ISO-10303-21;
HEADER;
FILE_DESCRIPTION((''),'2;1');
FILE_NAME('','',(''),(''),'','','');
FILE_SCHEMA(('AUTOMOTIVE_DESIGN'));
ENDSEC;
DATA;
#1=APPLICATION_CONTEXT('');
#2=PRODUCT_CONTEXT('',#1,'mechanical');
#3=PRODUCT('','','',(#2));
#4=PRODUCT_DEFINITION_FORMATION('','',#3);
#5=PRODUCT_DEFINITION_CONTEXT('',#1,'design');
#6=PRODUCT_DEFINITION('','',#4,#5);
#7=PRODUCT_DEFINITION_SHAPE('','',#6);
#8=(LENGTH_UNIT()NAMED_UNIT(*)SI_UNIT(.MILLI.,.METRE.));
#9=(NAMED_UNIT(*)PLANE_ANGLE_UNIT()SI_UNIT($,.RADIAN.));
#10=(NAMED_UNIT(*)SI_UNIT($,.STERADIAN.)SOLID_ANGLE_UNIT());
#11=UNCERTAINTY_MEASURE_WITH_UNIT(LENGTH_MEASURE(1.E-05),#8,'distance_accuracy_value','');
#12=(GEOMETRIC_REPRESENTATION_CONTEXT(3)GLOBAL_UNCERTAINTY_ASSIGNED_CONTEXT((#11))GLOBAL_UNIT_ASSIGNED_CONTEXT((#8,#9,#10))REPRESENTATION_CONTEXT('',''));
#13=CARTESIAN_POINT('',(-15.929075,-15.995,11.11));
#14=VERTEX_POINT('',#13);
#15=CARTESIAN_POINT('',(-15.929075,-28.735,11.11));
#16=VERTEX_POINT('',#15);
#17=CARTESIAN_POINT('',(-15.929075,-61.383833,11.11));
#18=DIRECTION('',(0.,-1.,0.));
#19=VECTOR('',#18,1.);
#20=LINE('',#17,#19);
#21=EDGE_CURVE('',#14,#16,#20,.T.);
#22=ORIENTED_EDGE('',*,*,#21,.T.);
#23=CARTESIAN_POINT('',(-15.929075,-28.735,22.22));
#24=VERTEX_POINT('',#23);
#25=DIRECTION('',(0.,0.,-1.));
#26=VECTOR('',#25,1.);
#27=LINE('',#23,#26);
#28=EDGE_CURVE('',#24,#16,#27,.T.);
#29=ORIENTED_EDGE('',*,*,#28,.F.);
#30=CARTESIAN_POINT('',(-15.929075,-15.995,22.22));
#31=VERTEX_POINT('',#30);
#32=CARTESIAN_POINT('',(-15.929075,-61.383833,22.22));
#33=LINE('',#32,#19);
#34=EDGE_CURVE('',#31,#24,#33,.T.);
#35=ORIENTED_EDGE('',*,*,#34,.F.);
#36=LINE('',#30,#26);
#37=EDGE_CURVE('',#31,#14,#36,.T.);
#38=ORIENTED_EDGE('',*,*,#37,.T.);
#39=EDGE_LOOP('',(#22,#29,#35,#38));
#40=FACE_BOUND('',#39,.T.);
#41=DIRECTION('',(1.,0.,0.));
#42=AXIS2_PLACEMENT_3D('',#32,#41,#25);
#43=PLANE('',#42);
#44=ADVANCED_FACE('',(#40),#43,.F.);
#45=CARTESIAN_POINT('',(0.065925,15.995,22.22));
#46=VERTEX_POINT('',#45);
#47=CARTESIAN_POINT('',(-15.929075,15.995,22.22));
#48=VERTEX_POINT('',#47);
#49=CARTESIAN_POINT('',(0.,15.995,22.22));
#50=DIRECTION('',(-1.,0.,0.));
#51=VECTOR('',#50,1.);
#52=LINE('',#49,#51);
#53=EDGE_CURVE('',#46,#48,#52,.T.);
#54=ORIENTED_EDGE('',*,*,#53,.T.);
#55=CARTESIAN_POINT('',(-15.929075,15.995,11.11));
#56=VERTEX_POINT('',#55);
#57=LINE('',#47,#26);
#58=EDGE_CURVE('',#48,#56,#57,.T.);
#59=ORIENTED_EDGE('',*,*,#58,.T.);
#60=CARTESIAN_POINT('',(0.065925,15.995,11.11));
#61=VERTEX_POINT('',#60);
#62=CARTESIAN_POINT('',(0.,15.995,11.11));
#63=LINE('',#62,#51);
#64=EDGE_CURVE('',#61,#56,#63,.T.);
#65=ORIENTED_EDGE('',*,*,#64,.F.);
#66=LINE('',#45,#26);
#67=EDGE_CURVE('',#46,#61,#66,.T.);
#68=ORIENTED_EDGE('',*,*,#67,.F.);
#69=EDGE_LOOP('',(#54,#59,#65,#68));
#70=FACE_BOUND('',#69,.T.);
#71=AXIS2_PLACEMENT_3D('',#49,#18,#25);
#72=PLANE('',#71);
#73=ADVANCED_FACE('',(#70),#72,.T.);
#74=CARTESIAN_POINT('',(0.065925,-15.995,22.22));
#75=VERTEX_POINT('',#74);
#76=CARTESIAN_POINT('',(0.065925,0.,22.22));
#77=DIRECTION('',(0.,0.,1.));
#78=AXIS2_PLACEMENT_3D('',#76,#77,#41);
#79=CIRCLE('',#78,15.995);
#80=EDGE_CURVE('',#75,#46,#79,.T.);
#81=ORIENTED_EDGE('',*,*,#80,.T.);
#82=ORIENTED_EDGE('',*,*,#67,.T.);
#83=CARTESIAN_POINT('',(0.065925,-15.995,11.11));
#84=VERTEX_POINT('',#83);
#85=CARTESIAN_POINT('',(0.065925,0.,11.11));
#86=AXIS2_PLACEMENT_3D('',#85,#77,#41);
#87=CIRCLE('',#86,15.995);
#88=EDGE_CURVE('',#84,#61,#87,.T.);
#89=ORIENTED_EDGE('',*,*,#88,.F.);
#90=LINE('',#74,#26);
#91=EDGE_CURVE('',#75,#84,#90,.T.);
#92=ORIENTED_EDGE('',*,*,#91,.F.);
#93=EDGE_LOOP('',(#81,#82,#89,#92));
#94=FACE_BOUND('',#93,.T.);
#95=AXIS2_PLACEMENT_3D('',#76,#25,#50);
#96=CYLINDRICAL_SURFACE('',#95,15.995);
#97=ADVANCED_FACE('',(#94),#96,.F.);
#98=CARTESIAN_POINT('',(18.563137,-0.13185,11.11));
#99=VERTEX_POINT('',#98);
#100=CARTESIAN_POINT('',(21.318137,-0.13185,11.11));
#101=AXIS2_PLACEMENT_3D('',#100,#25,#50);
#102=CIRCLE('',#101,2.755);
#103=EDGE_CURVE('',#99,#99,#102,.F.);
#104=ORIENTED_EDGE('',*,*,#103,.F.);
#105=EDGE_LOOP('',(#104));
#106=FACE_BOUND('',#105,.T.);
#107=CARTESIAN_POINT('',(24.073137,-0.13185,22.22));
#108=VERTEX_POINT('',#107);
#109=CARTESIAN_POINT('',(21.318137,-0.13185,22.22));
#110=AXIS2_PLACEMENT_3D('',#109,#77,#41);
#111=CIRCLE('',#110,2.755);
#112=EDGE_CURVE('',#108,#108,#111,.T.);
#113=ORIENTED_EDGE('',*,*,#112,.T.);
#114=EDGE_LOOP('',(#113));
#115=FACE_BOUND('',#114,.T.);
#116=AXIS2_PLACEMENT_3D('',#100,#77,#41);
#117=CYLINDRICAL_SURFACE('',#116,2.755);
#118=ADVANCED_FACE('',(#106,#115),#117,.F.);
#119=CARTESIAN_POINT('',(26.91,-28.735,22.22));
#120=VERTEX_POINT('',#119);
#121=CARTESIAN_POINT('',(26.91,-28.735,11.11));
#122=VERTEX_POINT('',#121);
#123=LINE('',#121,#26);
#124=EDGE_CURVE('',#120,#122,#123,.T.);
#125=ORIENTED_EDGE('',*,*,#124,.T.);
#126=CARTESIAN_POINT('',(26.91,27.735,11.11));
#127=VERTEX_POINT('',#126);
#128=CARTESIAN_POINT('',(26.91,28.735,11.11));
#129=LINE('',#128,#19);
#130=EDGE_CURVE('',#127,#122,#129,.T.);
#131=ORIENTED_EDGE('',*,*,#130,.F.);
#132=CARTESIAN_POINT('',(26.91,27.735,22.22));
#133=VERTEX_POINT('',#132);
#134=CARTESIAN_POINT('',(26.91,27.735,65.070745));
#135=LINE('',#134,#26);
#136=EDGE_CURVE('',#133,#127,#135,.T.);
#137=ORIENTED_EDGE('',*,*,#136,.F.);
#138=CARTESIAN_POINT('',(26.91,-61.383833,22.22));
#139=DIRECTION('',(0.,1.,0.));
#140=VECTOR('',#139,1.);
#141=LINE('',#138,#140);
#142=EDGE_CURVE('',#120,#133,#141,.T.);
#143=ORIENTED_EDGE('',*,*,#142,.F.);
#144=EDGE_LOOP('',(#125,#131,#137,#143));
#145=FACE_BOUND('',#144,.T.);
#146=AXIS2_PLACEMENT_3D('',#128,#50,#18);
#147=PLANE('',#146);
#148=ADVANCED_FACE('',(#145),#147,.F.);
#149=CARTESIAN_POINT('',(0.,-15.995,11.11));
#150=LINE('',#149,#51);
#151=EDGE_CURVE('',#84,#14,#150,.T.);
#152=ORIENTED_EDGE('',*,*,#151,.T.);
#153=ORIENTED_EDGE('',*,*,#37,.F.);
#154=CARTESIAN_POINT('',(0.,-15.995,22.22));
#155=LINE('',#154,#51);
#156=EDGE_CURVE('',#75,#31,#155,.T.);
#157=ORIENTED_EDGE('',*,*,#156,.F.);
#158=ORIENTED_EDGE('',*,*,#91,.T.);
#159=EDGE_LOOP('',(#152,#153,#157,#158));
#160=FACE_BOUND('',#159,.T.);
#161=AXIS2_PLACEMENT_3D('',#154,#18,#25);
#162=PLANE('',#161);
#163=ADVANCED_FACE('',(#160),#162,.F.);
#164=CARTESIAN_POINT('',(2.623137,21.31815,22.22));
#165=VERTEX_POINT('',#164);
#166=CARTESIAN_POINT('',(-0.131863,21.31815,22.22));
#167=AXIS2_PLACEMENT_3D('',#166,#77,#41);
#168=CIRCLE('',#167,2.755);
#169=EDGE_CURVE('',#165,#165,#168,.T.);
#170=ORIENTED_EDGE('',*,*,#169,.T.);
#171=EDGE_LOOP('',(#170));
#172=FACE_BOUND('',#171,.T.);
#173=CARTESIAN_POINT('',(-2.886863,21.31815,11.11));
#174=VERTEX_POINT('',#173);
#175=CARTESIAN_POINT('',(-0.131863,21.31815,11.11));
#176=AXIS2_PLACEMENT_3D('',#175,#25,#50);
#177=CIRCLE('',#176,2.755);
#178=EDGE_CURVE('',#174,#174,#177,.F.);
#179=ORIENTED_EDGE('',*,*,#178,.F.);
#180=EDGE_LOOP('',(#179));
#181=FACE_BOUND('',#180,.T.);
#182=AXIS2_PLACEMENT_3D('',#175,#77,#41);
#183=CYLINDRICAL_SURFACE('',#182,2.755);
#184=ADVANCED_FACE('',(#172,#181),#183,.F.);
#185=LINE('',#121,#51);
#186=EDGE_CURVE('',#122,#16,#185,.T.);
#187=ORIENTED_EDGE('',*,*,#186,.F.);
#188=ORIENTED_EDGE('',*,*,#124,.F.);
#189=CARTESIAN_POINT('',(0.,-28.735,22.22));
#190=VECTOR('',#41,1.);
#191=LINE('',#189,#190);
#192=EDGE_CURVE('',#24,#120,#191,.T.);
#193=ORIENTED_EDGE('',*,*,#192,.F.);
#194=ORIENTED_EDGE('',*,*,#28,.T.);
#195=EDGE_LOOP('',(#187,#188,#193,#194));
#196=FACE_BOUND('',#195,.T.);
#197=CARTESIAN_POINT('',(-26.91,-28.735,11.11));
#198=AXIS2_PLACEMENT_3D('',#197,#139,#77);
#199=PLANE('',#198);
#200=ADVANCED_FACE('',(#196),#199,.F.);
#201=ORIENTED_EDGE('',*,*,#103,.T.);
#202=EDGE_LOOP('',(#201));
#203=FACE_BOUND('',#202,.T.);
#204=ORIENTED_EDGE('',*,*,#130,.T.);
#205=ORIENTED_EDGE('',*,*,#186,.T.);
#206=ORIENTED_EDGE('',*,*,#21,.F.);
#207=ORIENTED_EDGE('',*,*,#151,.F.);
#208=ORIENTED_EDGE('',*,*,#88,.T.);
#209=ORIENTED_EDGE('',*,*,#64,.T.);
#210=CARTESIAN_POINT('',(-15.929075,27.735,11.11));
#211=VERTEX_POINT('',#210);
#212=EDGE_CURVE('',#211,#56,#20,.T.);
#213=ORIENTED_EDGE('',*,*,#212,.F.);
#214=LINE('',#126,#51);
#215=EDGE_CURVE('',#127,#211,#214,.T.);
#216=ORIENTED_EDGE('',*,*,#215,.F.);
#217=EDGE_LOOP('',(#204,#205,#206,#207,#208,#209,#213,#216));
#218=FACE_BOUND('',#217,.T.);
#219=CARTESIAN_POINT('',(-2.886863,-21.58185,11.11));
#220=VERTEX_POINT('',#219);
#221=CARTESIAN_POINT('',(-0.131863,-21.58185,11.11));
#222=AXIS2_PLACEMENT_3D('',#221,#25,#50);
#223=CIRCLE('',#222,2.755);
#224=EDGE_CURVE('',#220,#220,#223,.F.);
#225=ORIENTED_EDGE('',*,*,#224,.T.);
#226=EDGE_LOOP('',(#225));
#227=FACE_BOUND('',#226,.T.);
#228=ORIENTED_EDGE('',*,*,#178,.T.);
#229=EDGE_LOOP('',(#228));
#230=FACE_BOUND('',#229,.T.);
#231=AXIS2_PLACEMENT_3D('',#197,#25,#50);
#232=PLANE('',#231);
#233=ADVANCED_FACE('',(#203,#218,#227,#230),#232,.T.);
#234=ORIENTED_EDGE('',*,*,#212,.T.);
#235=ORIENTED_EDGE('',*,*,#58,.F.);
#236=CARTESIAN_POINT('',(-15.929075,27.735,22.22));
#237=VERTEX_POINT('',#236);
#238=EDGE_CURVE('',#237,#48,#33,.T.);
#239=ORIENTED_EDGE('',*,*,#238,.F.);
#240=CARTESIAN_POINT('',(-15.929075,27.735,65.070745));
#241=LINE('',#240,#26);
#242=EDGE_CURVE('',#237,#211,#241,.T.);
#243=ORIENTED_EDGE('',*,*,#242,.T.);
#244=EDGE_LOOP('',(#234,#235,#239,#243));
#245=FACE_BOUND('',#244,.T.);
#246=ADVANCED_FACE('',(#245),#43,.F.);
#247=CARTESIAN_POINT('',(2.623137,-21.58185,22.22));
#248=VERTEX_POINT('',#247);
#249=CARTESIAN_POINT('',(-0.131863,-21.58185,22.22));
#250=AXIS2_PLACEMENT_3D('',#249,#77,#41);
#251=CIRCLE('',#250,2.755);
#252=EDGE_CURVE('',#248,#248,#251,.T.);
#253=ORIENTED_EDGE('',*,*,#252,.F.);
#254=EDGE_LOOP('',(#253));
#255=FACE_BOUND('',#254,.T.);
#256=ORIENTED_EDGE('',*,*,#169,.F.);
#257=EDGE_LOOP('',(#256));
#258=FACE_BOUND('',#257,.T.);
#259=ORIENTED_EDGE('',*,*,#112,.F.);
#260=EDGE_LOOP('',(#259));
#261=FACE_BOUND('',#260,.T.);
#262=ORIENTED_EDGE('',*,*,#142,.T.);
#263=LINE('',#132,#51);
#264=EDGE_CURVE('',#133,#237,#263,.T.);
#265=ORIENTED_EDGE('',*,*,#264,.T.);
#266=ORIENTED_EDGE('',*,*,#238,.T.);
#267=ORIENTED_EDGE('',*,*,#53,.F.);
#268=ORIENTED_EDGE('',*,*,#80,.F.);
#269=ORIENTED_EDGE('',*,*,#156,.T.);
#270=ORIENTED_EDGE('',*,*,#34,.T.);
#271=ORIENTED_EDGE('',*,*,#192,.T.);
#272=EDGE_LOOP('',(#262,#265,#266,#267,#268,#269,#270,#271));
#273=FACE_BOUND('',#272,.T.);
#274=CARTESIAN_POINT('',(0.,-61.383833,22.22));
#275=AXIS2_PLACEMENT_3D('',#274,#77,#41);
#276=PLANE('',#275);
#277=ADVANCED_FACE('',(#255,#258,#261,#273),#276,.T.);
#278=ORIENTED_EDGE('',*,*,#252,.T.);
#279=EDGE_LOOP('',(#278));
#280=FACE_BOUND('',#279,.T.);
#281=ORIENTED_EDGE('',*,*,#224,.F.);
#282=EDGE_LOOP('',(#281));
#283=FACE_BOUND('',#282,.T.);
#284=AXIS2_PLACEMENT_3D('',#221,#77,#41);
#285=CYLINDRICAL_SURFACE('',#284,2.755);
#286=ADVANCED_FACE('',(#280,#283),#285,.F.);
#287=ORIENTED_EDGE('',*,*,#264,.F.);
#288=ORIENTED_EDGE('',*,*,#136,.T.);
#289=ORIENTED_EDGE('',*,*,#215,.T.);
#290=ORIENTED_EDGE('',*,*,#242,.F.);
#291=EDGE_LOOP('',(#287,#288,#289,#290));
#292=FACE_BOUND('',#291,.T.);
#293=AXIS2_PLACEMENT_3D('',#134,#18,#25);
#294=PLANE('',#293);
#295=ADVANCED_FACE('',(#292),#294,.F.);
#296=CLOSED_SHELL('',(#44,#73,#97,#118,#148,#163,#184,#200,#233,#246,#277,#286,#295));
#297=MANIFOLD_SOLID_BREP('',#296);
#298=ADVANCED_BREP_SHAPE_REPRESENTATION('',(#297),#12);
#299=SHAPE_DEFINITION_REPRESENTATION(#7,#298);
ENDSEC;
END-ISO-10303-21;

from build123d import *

# Parameters (mm, degrees)
ESBO_O1_W                = 53.82
ESBO_O1_H                = 57.47
RESSALTO_EXTRUS_O1_DEPTH = 11.11
RESSALTO_EXTRUS_O2_DEPTH = 11.11
ESBO_O4_R                = 2.755
CORTE_EXTRUS_O2_DEPTH    = 11.11
ESBO_O3_W                = 53.82
ESBO_O3_H                = 57.47
CORTE_EXTRUS_O3_DEPTH    = 11.11
ESBO_O5_W                = 42.839074837
ESBO_O5_H                = 1
CORTE_EXTRUS_O4_DEPTH    = 11.11


with BuildPart() as part:
    # Esboço1 → Ressalto-extrusão1 (new body)
    with BuildSketch(Plane.XY):
        Rectangle(ESBO_O1_W, ESBO_O1_H)
    extrude(amount=RESSALTO_EXTRUS_O1_DEPTH)

    # Esboço2 → Ressalto-extrusão2 (add)
    with BuildSketch(Plane.XY.offset(11.11)):
        with BuildLine():
            Line((0.065925163, -15.995), (-15.929074837, -15.995))
            Line((-15.929074837, -15.995), (-15.929074837, -28.735))
            Line((-15.929074837, -28.735), (0, -28.735))
            Line((0, -28.735), (26.91, -28.735))
            Line((26.91, -28.735), (26.91, 28.735))
            Line((26.91, 28.735), (0, 28.735))
            Line((0, 28.735), (-15.929074837, 28.735))
            Line((-15.929074837, 28.735), (-15.929074837, 15.995))
            Line((-15.929074837, 15.995), (0.065925163, 15.995))
            ThreePointArc((0.065925163, 15.995), (16.060925163, 0), (0.065925163, -15.995))
        make_face()
    extrude(amount=RESSALTO_EXTRUS_O2_DEPTH)

    # Esboço4 → Corte-extrusão2 (cut)
    with BuildSketch(Plane.XY.offset(22.22)):
        with Locations((21.318136928, -0.131850449)):
            Circle(ESBO_O4_R)
        with Locations((-0.131863072, -21.581850449)):
            Circle(ESBO_O4_R)
        with Locations((-0.131863072, 21.318149551)):
            Circle(ESBO_O4_R)
    extrude(amount=-CORTE_EXTRUS_O2_DEPTH, mode=Mode.SUBTRACT)

    # Esboço3 → Corte-extrusão3 (cut)
    with BuildSketch(Plane(origin=(0, 0, 0), x_dir=(-1, 0, 0), z_dir=(0, 0, -1))):
        Rectangle(ESBO_O3_W, ESBO_O3_H)
    extrude(amount=-CORTE_EXTRUS_O3_DEPTH, mode=Mode.SUBTRACT)

    # Esboço5 → Corte-extrusão4 (cut)
    with BuildSketch(Plane(origin=(0, 0, 11.11), x_dir=(-1, 0, 0), z_dir=(0, 0, -1))):
        with Locations((-5.490462581, 28.235)):
            Rectangle(ESBO_O5_W, ESBO_O5_H)
    extrude(amount=-CORTE_EXTRUS_O4_DEPTH, mode=Mode.SUBTRACT)


solid = part.part
